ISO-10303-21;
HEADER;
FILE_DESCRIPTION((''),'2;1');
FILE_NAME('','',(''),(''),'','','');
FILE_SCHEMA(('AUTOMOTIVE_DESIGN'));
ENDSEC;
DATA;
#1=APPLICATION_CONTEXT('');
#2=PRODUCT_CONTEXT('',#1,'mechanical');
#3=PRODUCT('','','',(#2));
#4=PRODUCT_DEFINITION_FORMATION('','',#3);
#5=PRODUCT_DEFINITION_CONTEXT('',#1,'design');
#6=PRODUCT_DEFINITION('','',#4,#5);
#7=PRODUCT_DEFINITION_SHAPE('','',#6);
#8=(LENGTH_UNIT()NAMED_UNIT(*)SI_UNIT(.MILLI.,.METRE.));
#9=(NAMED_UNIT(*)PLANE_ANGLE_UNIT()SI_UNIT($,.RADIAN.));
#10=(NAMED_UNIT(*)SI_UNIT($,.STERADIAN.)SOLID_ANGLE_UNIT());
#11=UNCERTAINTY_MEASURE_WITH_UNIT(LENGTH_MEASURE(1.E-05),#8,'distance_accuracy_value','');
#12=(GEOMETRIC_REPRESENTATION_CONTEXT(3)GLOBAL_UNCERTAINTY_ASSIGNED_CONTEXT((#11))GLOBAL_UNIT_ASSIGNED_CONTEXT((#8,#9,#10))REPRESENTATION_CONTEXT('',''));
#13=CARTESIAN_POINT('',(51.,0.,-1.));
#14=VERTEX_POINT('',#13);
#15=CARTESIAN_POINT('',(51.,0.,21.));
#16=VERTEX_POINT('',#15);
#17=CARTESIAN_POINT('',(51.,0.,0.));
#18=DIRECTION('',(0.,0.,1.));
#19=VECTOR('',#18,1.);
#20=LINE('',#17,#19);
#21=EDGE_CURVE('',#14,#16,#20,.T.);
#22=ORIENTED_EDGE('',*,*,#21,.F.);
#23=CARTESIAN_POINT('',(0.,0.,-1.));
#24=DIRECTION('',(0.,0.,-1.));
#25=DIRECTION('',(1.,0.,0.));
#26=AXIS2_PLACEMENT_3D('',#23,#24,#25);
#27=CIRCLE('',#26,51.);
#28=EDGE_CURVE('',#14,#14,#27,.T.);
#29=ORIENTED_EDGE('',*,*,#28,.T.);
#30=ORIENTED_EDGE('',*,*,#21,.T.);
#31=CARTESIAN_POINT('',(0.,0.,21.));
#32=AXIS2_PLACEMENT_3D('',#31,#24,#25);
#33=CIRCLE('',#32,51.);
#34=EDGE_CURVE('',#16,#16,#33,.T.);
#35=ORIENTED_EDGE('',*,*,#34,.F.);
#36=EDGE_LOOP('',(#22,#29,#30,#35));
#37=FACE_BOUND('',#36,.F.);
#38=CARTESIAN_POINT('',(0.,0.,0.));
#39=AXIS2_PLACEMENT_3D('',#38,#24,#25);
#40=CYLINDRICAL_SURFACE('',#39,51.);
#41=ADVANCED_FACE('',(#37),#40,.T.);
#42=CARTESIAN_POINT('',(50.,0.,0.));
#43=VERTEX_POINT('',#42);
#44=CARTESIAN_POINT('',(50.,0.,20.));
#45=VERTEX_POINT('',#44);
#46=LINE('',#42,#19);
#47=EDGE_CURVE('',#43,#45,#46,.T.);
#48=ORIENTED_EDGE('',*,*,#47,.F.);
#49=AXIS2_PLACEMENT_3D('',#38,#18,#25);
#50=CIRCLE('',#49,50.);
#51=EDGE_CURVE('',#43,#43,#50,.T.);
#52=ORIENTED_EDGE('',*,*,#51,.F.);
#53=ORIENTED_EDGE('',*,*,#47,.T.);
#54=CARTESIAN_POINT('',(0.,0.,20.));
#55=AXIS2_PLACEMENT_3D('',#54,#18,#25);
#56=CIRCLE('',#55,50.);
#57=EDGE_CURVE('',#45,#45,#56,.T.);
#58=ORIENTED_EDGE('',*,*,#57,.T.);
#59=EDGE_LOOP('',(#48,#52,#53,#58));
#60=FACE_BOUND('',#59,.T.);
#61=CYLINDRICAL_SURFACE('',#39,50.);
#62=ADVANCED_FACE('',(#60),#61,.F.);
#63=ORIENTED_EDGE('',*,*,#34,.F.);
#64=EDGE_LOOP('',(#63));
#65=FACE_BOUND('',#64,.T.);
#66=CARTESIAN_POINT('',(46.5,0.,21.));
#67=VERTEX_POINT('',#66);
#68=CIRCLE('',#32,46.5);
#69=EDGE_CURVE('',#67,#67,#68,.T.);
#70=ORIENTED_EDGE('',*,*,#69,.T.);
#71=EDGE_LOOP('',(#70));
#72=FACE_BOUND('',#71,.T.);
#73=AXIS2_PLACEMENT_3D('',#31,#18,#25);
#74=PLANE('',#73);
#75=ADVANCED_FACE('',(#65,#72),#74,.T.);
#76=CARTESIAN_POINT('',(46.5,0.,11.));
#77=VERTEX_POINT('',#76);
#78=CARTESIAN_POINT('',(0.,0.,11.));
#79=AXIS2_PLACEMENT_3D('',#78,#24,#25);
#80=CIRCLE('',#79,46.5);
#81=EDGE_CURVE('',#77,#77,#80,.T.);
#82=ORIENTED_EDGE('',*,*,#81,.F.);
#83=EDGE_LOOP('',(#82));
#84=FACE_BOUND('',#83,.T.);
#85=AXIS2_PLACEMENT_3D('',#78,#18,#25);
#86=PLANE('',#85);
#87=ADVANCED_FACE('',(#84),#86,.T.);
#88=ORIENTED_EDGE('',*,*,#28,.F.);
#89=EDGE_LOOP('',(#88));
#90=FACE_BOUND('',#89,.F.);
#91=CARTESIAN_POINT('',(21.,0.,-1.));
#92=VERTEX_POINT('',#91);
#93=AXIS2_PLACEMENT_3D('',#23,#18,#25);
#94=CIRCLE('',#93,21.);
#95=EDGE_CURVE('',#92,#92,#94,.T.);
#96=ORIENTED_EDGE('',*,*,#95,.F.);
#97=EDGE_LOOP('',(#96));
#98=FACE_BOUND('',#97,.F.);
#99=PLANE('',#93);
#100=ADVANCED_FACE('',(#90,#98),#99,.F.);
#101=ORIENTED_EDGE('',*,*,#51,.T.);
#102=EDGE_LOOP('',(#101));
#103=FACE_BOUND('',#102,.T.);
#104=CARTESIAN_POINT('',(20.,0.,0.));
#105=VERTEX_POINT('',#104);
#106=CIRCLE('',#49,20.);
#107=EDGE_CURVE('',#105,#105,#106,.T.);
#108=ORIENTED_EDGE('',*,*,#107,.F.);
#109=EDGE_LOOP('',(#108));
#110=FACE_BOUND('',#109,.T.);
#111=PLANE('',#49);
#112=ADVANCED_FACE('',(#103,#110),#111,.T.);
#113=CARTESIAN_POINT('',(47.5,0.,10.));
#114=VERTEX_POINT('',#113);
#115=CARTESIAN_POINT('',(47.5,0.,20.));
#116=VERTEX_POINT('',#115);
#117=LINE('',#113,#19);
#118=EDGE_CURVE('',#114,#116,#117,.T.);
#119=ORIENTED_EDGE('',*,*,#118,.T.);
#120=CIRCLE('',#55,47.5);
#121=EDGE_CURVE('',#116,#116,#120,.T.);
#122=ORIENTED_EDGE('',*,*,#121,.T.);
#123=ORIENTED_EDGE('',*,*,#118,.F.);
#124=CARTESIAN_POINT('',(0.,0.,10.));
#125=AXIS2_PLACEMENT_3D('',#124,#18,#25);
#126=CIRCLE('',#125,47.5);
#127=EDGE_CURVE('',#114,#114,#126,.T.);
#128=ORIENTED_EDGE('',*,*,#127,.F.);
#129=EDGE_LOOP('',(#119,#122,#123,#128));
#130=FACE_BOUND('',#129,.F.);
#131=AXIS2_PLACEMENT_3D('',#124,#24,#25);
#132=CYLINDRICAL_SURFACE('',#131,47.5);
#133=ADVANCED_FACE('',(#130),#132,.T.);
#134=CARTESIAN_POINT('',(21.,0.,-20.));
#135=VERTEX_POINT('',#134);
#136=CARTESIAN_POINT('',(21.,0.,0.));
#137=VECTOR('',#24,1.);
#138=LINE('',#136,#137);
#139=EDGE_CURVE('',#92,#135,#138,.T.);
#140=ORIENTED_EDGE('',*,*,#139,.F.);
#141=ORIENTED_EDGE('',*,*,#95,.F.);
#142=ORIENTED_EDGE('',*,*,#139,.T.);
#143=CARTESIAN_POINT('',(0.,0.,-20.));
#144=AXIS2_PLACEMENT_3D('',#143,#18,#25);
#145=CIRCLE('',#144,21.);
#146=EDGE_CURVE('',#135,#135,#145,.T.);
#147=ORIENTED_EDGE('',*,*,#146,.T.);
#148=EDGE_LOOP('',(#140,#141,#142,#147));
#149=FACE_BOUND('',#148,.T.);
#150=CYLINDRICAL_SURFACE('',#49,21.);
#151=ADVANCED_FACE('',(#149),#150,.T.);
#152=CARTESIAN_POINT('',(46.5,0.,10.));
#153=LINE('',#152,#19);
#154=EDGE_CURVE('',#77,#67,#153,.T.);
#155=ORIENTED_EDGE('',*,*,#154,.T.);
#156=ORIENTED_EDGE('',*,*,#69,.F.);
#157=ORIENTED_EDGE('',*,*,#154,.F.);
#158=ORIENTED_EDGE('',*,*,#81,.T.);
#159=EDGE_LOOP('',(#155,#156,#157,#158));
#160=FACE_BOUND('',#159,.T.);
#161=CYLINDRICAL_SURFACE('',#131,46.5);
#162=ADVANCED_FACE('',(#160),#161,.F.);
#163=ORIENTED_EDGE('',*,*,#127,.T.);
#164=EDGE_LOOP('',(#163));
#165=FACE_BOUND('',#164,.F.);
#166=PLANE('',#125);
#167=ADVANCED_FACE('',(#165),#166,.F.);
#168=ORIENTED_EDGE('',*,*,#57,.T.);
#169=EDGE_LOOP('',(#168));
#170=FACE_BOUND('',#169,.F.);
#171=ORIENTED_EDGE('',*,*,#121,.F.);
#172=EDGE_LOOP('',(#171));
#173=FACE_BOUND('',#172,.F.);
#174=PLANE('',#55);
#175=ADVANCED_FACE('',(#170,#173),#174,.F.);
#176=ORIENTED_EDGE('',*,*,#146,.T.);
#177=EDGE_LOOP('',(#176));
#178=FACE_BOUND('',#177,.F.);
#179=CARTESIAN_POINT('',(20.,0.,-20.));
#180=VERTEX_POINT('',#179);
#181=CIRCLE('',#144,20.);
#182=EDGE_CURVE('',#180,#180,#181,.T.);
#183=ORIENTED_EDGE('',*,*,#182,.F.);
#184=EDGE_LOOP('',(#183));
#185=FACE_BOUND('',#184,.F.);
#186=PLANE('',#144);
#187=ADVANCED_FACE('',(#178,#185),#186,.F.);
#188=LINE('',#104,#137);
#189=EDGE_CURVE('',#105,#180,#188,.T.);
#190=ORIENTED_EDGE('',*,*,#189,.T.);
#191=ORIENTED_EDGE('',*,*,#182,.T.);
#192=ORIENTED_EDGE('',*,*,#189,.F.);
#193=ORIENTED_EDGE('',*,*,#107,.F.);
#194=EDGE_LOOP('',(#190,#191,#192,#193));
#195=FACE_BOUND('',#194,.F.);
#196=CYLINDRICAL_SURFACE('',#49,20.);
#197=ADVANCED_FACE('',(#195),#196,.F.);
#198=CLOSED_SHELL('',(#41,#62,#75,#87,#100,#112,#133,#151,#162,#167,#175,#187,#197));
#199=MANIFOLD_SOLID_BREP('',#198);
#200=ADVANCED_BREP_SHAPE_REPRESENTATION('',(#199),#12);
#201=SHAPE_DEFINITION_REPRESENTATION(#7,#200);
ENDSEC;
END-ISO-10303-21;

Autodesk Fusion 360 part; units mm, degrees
sketch "Sketch1" plane through (0, 0, 0) normal (0, 0, 1) x (1, 0, 0)
  circle A0 centre (0, 0) radius 50
extrude "Extrude1" add sketch "Sketch1" along normal blind 20
ref_plane "WorkPlane1" through (0, 0, 10) normal (0, 0, 1) x (1, 0, 0)
sketch "Sketch2" plane through (0, 0, 10) normal (0, 0, 1) x (1, 0, 0)
  circle A0 centre (0, 0) radius 47.5
extrude "Extrude2" cut sketch "Sketch2" along normal blind 10
sketch "Sketch3" plane through (0, 0, 0) normal (0, 0, 1) x (1, 0, 0)
  circle A0 centre (0, 0) radius 20
extrude "Extrude3" add sketch "Sketch3" against normal blind 20
sketch "Sketch4" plane through (0, 0, -20) normal (0, 0, -1) x (1, 0, 0)
  circle A0 centre (0, 0) radius 20
shell "Shell1" thickness 1 outward yes removed faces 1 at (6.3705, -1.965, -20)
